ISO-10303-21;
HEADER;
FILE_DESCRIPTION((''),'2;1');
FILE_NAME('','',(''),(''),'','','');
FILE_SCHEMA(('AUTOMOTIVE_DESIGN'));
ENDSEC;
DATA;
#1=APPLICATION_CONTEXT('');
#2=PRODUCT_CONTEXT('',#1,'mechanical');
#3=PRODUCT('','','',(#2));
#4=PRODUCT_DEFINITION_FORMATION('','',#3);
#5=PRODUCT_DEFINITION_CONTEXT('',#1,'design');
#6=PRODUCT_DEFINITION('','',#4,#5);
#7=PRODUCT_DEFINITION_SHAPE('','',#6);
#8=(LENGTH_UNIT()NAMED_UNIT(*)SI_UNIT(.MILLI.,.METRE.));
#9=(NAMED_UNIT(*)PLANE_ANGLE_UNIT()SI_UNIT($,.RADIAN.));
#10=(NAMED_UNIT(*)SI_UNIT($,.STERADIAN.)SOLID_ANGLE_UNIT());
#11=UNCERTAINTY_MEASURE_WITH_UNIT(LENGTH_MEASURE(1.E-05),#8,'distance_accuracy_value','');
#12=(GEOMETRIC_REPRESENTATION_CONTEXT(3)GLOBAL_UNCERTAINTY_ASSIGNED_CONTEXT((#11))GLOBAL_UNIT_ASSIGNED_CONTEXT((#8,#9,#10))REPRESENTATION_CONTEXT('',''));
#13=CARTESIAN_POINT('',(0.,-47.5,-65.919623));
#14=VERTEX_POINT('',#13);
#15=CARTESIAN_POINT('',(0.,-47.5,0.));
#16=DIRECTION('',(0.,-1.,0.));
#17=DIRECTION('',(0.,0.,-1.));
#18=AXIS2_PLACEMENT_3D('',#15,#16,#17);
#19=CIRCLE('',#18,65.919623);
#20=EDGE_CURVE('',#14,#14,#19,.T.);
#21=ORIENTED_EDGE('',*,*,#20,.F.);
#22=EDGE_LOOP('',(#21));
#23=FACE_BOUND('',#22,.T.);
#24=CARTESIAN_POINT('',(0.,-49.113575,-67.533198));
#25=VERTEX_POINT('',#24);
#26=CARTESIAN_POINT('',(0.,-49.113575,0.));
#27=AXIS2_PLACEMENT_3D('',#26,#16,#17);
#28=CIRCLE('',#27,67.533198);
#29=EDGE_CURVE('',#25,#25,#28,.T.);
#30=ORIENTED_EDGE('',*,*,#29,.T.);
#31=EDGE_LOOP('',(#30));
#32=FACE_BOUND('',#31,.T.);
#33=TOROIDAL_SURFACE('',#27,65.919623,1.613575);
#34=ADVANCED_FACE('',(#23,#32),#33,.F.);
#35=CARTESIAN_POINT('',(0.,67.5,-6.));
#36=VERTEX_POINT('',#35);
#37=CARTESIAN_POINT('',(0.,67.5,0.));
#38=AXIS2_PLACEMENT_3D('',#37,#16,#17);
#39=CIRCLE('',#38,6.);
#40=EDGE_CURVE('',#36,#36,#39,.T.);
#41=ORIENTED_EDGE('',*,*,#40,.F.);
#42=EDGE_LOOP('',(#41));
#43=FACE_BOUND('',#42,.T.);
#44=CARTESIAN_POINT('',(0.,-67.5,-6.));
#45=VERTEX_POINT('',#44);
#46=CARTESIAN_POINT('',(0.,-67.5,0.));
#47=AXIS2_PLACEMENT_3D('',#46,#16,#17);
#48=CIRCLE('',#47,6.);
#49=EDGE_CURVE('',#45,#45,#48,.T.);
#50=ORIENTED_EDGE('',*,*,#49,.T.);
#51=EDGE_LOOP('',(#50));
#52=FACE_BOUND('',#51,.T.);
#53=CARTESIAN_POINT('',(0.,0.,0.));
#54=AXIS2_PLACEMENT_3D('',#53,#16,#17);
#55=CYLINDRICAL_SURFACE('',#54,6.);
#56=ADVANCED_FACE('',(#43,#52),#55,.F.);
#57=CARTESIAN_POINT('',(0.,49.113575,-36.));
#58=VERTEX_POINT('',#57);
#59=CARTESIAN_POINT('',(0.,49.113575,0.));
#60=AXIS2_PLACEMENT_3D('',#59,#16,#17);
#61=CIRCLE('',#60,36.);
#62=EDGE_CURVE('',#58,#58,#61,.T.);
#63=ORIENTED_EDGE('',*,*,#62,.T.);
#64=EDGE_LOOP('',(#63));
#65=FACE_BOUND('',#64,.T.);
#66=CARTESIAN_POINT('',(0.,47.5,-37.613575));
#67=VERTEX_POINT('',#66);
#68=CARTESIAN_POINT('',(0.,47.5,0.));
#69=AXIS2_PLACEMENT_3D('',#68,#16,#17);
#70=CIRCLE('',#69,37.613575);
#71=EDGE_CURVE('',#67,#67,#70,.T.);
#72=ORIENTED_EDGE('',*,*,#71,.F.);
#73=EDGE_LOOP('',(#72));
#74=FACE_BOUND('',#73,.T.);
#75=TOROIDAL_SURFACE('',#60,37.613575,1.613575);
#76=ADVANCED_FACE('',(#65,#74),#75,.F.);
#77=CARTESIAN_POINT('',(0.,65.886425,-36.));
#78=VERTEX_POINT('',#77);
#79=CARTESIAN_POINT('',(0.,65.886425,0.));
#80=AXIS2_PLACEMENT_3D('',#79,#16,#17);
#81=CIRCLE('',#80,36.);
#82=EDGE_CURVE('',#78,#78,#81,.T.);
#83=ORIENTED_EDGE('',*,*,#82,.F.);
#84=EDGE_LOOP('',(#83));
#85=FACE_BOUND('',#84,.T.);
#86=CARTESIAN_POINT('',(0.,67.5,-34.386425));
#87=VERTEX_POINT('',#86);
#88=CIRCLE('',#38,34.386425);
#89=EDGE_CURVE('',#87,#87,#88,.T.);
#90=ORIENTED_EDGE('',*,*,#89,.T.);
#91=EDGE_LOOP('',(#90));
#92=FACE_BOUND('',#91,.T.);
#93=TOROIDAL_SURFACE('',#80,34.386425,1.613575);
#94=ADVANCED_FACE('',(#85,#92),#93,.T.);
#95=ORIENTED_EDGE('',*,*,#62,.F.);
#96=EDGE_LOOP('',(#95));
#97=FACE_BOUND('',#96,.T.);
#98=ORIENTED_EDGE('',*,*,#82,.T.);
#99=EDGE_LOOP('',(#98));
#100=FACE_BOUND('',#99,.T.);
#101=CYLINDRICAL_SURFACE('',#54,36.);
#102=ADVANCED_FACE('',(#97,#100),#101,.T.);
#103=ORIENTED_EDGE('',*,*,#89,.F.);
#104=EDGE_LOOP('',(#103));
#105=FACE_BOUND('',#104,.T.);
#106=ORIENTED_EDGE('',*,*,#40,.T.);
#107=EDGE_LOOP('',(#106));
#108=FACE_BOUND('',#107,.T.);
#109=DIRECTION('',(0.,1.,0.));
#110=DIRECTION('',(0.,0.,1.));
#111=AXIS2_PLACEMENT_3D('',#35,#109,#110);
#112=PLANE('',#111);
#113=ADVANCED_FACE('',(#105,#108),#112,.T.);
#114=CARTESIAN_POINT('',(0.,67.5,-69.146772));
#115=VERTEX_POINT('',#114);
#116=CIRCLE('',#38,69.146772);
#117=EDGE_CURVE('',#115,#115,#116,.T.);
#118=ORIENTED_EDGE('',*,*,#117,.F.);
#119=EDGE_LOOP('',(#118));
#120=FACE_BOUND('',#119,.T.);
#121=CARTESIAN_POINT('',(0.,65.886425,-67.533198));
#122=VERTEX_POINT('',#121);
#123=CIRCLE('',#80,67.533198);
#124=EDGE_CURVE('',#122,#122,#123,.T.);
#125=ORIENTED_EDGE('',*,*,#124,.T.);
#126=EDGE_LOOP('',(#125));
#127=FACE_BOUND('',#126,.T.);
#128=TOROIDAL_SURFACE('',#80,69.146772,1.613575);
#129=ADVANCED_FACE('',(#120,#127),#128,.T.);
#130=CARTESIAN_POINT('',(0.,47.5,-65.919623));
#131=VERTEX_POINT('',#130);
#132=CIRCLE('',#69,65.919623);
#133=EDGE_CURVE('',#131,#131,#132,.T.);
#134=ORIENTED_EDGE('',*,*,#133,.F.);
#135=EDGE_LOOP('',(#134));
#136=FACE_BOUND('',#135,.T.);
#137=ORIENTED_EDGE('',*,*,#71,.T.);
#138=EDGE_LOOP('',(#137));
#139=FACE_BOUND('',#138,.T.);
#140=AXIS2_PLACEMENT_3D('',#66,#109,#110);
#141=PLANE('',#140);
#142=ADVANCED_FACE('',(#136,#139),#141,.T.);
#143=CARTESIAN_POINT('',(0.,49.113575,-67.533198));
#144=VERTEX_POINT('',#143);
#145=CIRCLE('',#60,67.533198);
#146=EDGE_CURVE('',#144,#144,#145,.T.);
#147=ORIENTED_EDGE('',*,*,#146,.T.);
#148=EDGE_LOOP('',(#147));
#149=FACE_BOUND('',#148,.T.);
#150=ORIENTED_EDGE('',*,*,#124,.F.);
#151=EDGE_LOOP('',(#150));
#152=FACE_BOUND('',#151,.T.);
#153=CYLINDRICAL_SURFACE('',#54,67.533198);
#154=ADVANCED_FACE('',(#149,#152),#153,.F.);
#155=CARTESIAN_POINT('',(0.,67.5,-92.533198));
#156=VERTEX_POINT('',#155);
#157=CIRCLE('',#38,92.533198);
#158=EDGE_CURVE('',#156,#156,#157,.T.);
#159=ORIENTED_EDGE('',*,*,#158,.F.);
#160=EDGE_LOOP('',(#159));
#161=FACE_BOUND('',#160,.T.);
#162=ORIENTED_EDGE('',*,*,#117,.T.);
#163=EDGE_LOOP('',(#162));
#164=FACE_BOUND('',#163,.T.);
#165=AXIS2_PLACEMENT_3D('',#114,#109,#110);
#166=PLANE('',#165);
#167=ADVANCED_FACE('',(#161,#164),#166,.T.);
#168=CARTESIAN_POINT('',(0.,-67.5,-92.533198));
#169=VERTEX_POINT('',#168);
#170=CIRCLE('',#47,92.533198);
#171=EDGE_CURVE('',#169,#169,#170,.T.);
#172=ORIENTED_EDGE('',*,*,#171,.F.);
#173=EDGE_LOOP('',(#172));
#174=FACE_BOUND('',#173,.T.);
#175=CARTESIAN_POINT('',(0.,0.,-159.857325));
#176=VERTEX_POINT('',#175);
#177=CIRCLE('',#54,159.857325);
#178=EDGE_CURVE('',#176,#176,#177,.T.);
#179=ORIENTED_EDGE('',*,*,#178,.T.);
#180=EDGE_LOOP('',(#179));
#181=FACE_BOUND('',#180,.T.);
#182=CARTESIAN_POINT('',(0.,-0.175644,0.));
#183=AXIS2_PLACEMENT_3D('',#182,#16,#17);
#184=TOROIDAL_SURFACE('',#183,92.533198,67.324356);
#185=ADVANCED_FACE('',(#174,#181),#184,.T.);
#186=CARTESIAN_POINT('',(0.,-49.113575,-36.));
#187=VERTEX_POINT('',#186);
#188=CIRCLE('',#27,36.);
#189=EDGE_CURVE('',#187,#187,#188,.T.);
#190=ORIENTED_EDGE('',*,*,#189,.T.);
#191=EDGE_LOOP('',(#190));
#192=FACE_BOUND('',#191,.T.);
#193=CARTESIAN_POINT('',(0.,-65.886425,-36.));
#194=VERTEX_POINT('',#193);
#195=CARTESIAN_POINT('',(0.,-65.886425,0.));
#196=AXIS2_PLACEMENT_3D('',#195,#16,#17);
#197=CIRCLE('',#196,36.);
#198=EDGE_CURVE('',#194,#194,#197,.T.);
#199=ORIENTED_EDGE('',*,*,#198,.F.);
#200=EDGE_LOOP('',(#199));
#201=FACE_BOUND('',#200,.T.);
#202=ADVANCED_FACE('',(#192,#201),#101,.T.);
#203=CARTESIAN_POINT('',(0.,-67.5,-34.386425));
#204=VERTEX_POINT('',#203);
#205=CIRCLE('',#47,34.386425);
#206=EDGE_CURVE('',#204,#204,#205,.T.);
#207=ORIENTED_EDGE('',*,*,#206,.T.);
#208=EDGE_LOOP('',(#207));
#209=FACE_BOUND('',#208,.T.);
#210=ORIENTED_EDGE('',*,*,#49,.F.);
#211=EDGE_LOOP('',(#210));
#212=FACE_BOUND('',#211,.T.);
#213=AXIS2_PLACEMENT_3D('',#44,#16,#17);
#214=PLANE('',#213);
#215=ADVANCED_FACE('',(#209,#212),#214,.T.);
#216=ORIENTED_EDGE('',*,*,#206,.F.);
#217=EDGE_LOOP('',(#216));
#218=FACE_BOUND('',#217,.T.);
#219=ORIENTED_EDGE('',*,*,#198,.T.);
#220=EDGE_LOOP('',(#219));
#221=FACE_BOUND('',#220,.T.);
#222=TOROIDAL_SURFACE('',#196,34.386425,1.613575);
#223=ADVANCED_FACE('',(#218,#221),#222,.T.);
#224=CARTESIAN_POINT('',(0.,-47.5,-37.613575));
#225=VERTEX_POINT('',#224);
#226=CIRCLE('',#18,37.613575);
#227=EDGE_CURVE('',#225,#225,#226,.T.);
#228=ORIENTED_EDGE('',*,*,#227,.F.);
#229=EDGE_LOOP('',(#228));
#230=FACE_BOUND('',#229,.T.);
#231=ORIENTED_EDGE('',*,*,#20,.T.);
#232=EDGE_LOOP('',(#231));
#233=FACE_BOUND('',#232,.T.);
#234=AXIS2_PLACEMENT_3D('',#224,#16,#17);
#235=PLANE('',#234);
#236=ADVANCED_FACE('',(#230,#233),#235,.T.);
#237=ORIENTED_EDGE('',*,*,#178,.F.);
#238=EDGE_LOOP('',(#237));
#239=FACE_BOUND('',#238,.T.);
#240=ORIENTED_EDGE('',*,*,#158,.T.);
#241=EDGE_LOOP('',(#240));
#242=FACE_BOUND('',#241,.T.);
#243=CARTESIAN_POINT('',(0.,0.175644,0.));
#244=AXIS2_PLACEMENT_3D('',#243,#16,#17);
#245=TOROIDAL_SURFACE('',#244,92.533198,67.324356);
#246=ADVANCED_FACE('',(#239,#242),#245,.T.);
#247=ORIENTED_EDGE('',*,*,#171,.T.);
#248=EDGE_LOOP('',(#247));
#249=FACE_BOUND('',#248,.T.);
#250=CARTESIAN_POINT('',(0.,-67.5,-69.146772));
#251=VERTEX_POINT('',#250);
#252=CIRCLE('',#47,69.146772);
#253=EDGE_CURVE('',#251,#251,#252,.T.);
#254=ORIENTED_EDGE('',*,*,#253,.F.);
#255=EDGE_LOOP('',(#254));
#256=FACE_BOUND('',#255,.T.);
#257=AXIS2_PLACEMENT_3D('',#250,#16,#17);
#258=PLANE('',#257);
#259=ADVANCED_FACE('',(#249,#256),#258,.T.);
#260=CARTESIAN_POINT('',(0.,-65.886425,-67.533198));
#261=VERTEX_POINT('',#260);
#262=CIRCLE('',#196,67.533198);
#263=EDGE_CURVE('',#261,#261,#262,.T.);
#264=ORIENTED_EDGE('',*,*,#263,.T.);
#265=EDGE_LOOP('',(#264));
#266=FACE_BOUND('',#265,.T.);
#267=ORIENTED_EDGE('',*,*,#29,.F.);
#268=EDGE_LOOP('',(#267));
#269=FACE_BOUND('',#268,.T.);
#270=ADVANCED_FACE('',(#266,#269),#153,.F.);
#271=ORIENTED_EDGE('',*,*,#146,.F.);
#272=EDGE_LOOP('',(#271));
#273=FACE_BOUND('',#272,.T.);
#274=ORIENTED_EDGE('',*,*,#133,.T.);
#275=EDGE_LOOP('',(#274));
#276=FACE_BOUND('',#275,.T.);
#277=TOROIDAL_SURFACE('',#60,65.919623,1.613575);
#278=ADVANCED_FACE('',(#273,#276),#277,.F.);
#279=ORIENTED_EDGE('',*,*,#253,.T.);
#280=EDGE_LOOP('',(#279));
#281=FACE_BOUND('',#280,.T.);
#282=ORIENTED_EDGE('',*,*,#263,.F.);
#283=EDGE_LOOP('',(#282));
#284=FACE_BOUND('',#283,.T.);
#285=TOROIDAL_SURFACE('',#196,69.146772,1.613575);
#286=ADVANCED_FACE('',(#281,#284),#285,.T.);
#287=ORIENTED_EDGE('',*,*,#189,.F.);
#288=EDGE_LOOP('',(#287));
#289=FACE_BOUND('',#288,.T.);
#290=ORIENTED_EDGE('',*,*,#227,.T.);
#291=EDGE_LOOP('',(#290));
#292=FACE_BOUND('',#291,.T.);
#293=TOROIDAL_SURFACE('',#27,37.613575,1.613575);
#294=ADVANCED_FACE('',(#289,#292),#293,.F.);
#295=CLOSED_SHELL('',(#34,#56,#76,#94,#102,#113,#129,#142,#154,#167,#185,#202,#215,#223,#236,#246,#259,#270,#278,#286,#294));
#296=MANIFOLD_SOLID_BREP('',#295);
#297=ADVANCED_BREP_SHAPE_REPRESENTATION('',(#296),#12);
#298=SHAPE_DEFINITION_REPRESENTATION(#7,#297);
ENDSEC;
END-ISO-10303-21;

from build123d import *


with BuildPart() as part:
    # Sketch3 → Revolve1 (revolve)
    with BuildSketch(Plane(origin=(0, 0, 0), x_dir=(0, 0, -1), z_dir=(1, 0, 0))):
        with BuildLine():
            Line((6, -67.5), (6, 67.5))
            Line((6, 67.5), (34.386425262, 67.5))
            ThreePointArc((34.386425262, 67.5), (35.527394901, 67.027394901), (36, 65.886425262))
            Line((36, 65.886425262), (36, 49.113574738))
            ThreePointArc((36, 49.113574738), (36.472605099, 47.972605099), (37.613574738, 47.5))
            Line((37.613574738, 47.5), (65.919622929, 47.5))
            ThreePointArc((65.919622929, 47.5), (67.060592569, 47.972605099), (67.533197668, 49.113574738))
            Line((67.533197668, 49.113574738), (67.533197668, 65.886425262))
            ThreePointArc((67.533197668, 65.886425262), (68.005802767, 67.027394901), (69.146772406, 67.5))
            Line((69.146772406, 67.5), (92.533197668, 67.5))
            ThreePointArc((92.533197668, 67.5), (140.200765467, 47.719012588), (159.857324693, 0))
            ThreePointArc((159.857324693, 0), (140.200765467, -47.719012588), (92.533197668, -67.5))
            Line((92.533197668, -67.5), (69.146772406, -67.5))
            ThreePointArc((69.146772406, -67.5), (68.005802767, -67.027394901), (67.533197668, -65.886425262))
            Line((67.533197668, -65.886425262), (67.533197668, -49.113574738))
            ThreePointArc((67.533197668, -49.113574738), (67.060592569, -47.972605099), (65.919622929, -47.5))
            Line((65.919622929, -47.5), (37.613574738, -47.5))
            ThreePointArc((37.613574738, -47.5), (36.472605099, -47.972605099), (36, -49.113574738))
            Line((36, -49.113574738), (36, -65.886425262))
            ThreePointArc((36, -65.886425262), (35.527394901, -67.027394901), (34.386425262, -67.5))
            Line((34.386425262, -67.5), (6, -67.5))
        make_face()
    revolve(axis=Axis((0, 0, 0), (0, 1, 0)))


solid = part.part
